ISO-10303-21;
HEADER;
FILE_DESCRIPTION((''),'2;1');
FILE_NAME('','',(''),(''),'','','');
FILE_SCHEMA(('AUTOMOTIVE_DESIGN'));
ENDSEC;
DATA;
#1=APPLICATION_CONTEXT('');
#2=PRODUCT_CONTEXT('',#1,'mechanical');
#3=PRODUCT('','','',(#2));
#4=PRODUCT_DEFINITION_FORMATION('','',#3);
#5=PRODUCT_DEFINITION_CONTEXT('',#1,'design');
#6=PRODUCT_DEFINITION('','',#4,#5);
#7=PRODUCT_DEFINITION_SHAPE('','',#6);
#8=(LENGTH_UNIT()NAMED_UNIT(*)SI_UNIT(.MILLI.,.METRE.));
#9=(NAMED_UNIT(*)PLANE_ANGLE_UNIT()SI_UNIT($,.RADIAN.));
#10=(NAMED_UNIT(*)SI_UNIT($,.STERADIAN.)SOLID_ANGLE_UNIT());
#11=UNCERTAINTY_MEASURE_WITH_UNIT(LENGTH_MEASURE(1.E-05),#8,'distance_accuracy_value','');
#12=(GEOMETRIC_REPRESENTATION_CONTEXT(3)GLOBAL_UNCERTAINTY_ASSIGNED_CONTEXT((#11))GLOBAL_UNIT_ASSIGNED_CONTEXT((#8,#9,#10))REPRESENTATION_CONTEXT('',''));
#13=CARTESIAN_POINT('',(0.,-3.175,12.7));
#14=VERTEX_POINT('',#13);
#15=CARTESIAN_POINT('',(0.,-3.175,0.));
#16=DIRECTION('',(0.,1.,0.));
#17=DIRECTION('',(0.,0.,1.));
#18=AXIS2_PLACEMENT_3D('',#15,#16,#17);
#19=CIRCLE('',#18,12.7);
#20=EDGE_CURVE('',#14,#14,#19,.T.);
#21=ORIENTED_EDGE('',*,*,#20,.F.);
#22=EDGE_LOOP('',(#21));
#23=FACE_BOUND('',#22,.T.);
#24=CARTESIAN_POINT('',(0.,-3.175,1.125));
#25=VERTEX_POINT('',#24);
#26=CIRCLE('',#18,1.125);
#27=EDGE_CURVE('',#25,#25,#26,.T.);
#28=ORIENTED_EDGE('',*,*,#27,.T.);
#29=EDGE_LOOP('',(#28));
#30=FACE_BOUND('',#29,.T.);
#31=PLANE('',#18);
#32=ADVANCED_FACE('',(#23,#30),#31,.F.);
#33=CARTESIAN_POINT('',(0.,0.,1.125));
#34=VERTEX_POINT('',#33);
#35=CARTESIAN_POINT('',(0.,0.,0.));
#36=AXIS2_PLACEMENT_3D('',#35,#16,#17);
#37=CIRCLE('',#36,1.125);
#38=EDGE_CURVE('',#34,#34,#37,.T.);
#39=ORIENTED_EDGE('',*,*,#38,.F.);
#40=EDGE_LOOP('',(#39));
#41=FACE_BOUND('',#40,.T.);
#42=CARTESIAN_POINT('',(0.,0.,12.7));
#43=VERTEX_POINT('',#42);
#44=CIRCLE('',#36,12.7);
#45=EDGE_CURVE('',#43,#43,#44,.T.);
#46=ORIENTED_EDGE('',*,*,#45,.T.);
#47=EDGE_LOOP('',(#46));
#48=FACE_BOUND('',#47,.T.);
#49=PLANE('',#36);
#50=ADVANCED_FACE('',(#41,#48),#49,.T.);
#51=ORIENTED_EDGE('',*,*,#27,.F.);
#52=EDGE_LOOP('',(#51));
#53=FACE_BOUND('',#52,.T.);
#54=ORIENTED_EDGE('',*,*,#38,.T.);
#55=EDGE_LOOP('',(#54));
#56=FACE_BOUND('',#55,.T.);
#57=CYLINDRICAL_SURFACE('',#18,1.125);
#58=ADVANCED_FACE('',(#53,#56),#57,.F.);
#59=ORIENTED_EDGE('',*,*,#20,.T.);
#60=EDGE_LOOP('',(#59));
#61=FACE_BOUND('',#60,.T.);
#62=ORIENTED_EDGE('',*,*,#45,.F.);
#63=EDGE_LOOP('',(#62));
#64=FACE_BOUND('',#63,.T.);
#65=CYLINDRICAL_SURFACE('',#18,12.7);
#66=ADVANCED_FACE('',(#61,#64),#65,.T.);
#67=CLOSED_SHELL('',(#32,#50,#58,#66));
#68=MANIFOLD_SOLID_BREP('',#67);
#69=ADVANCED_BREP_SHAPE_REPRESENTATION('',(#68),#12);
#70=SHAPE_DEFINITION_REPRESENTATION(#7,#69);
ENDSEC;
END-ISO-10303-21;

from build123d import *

# Parameters (mm, degrees)
SKETCH1_R           = 12.7
SKETCH1_R_2         = 1.125
BOSS_EXTRUDE1_DEPTH = 3.175


with BuildPart() as part:
    # Sketch1 → Boss-Extrude1 (new body)
    with BuildSketch(Plane(origin=(0, 0, 0), x_dir=(1, 0, 0), z_dir=(0, 1, 0))):
        Circle(SKETCH1_R)
        Circle(SKETCH1_R_2, mode=Mode.SUBTRACT)
    extrude(amount=-BOSS_EXTRUDE1_DEPTH)


solid = part.part
